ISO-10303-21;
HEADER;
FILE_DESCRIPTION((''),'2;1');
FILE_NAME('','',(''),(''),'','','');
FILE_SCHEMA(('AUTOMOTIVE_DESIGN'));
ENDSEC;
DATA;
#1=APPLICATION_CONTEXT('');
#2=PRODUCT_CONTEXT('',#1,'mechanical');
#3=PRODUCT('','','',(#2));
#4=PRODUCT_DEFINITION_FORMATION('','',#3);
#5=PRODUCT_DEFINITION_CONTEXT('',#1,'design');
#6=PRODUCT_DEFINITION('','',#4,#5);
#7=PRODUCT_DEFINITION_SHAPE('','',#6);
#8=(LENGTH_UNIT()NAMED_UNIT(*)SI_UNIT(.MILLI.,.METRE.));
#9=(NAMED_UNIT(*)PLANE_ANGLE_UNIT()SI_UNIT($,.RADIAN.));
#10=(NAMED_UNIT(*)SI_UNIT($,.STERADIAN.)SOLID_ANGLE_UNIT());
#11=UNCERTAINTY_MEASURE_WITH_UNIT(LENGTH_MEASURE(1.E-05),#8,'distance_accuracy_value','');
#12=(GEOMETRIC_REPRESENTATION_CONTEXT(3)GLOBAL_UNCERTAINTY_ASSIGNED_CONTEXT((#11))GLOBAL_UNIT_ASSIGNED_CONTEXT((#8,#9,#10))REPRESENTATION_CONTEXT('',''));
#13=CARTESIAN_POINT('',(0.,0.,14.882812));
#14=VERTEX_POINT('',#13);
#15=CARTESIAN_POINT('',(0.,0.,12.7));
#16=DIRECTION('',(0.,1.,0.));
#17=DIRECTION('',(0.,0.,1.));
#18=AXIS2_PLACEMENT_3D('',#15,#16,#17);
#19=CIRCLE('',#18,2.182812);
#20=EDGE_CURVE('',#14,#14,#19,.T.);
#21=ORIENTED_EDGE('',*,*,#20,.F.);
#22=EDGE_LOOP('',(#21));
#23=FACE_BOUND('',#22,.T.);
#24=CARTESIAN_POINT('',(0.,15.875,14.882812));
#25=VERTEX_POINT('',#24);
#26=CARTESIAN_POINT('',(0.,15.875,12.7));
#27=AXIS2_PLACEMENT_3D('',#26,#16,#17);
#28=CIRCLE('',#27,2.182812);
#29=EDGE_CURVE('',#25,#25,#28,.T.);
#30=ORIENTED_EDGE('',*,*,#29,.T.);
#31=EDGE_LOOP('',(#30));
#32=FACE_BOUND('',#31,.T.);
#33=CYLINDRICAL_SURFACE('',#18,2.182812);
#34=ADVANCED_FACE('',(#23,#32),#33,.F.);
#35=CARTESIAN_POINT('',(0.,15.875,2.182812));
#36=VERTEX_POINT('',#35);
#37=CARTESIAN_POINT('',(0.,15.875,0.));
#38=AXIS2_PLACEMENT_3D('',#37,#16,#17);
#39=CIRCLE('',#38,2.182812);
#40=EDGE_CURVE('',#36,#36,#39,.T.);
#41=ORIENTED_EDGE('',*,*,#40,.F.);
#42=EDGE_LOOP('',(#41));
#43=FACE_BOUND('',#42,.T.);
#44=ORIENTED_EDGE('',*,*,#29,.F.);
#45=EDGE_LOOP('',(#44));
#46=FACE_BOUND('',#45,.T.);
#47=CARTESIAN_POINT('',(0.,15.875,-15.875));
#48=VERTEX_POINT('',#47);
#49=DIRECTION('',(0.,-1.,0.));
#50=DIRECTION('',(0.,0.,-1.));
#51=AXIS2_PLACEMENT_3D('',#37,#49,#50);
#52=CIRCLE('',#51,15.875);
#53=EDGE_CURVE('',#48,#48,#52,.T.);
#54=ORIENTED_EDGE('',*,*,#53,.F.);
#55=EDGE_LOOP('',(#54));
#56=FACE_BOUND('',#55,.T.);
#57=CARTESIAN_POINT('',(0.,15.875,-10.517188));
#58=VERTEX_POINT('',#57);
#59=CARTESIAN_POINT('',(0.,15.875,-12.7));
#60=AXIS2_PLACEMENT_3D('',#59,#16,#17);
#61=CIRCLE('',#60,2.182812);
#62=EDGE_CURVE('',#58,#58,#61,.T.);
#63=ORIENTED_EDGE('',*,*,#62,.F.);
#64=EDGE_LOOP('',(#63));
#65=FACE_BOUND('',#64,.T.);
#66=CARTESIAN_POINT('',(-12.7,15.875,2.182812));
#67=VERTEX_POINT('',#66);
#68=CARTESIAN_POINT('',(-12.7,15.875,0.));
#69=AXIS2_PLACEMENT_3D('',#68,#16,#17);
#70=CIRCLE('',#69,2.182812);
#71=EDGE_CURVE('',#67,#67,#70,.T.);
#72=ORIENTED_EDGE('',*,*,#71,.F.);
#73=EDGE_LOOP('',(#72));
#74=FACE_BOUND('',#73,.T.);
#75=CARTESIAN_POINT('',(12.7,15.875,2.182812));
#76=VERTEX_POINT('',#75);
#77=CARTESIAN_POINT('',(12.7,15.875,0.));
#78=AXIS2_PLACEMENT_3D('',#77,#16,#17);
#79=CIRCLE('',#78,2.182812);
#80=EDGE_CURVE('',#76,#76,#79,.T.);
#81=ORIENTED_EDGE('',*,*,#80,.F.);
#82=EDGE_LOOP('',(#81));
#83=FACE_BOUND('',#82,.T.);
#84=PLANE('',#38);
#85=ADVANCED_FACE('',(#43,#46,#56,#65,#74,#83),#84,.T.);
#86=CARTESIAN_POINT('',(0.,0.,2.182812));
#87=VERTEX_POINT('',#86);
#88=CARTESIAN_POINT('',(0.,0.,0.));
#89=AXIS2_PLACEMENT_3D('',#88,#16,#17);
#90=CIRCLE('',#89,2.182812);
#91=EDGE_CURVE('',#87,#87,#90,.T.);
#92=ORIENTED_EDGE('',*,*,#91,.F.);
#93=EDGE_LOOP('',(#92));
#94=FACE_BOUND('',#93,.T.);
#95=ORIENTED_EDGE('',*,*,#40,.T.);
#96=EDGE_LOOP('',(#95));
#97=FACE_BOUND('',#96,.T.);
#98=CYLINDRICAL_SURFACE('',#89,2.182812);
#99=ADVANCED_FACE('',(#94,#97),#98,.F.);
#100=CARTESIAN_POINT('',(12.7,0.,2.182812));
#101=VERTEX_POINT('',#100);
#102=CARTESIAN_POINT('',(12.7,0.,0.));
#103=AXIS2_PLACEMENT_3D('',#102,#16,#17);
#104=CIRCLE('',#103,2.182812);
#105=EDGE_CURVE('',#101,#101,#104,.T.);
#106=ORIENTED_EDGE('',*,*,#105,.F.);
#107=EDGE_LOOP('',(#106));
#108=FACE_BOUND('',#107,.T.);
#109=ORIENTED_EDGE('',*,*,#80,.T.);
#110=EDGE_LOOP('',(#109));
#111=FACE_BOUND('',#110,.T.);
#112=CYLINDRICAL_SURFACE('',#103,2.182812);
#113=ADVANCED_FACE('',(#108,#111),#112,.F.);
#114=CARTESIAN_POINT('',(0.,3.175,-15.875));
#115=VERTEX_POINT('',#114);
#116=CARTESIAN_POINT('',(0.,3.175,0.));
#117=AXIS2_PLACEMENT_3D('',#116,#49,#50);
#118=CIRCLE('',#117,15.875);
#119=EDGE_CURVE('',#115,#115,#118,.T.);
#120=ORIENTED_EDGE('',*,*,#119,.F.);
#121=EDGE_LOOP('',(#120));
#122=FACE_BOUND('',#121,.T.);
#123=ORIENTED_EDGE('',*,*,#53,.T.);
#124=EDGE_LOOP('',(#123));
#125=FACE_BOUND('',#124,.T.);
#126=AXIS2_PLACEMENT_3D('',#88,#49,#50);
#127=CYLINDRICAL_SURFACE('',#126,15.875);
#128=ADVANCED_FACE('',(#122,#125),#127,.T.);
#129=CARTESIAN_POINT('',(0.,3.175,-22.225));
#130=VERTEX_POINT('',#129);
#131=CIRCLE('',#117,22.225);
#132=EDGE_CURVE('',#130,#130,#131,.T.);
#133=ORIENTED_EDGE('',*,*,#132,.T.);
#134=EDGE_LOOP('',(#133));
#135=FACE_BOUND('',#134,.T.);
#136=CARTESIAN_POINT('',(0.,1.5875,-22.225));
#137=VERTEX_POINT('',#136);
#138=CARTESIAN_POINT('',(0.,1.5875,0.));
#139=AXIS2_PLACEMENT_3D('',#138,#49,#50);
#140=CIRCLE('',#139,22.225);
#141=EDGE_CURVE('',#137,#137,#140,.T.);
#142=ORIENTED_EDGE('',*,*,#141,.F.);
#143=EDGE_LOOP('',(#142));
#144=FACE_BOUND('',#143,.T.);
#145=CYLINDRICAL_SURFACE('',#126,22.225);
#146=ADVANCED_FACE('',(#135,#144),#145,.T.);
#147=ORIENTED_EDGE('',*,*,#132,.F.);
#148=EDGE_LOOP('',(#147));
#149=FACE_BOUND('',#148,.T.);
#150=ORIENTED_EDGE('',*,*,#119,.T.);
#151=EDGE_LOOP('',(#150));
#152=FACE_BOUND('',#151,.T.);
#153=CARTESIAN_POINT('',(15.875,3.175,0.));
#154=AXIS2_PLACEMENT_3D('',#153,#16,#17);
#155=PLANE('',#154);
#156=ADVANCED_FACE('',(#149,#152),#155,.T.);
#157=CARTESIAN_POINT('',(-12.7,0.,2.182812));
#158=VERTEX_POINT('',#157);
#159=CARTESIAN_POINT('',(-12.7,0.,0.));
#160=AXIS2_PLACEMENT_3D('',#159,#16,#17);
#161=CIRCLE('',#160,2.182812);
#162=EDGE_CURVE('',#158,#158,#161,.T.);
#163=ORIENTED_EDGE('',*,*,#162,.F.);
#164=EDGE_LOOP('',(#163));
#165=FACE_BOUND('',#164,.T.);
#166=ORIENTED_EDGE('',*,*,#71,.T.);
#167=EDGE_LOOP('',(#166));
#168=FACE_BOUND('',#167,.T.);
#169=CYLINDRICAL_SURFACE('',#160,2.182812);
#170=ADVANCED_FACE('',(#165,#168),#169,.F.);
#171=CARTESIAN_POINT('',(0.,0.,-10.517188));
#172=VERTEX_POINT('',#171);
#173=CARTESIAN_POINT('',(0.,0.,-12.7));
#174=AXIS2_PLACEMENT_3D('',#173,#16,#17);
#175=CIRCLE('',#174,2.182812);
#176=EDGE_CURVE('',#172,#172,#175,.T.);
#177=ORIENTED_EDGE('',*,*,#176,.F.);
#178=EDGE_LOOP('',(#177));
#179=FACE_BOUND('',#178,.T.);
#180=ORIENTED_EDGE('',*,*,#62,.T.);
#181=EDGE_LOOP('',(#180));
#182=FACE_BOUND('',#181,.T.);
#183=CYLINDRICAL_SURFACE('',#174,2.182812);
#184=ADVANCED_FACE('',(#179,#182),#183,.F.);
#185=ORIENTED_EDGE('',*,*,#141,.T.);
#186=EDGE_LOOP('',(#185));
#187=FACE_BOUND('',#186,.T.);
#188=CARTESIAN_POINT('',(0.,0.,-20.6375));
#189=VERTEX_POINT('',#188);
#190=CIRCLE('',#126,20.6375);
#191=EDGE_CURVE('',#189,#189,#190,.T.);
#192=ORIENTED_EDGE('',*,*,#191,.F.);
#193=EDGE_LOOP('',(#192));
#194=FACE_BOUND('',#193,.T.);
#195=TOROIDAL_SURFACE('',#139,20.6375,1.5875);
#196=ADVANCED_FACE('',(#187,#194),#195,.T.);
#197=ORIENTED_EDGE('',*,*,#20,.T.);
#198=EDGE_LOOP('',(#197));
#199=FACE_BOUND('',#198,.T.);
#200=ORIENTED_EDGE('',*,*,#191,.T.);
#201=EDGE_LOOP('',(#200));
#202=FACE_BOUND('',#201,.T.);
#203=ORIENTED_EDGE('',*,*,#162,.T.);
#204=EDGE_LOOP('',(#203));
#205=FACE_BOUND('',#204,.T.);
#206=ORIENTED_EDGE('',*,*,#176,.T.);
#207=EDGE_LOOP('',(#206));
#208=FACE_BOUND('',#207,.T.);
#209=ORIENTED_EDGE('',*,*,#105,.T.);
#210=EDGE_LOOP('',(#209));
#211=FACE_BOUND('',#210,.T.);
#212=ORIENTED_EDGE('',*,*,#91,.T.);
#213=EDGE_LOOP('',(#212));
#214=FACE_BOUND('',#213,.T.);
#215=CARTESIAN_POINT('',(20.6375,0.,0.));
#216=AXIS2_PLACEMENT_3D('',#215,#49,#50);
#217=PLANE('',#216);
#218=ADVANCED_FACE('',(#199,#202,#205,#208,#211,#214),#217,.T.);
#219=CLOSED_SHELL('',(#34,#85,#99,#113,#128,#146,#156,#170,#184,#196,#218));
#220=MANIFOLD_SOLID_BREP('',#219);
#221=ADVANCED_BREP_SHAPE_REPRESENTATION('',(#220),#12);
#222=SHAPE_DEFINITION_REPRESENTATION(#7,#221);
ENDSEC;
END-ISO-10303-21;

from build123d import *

# Parameters (mm, degrees)
CUT_EXTRUDE1_DEPTH      = 36.212453408
CUT_EXTRUDE1_DEPTH_BACK = 36.212453408
SKETCH3_R               = 2.1828125


with BuildPart() as part:
    # Sketch1 → Revolve2 (revolve)
    with BuildSketch(Plane.XY, mode=Mode.PRIVATE) as revolve2_sk:
        with BuildLine():
            Line((0, 0), (0, 15.875))
            Line((0, 15.875), (15.875, 15.875))
            Line((15.875, 15.875), (15.875, 3.175))
            Line((15.875, 3.175), (22.225, 3.175))
            Line((22.225, 3.175), (22.225, 1.5875))
            ThreePointArc((22.225, 1.5875), (21.760032015, 0.464967985), (20.6375, 0))
            Line((20.6375, 0), (0, 0))
        make_face()
    revolve(revolve2_sk.sketch.rotate(Axis((0, 0, 0), (0, 1, 0)), 90), axis=Axis((0, 0, 0), (0, 1, 0)))

    # Sketch3 → Cut-Extrude1 (cut, two sides: drawn at the far end of the back side and taken through both)
    with BuildSketch(Plane(origin=(0, 15.875, 0), x_dir=(1, 0, 0), z_dir=(0, 1, 0)).offset(-CUT_EXTRUDE1_DEPTH_BACK)):
        with Locations(Location((0, 0, 0), (0, 0, 270))):
            Circle(SKETCH3_R)
        with Locations(Location((12.7, 0, 0), (0, 0, 270))):
            Circle(SKETCH3_R)
        with Locations(Location((-12.7, 0, 0), (0, 0, 270))):
            Circle(SKETCH3_R)
        with Locations(Location((0, -12.7, 0), (0, 0, 270))):
            Circle(SKETCH3_R)
        with Locations(Location((0, 12.7, 0), (0, 0, 270))):
            Circle(SKETCH3_R)
    extrude(amount=CUT_EXTRUDE1_DEPTH + CUT_EXTRUDE1_DEPTH_BACK, mode=Mode.SUBTRACT)


solid = part.part
